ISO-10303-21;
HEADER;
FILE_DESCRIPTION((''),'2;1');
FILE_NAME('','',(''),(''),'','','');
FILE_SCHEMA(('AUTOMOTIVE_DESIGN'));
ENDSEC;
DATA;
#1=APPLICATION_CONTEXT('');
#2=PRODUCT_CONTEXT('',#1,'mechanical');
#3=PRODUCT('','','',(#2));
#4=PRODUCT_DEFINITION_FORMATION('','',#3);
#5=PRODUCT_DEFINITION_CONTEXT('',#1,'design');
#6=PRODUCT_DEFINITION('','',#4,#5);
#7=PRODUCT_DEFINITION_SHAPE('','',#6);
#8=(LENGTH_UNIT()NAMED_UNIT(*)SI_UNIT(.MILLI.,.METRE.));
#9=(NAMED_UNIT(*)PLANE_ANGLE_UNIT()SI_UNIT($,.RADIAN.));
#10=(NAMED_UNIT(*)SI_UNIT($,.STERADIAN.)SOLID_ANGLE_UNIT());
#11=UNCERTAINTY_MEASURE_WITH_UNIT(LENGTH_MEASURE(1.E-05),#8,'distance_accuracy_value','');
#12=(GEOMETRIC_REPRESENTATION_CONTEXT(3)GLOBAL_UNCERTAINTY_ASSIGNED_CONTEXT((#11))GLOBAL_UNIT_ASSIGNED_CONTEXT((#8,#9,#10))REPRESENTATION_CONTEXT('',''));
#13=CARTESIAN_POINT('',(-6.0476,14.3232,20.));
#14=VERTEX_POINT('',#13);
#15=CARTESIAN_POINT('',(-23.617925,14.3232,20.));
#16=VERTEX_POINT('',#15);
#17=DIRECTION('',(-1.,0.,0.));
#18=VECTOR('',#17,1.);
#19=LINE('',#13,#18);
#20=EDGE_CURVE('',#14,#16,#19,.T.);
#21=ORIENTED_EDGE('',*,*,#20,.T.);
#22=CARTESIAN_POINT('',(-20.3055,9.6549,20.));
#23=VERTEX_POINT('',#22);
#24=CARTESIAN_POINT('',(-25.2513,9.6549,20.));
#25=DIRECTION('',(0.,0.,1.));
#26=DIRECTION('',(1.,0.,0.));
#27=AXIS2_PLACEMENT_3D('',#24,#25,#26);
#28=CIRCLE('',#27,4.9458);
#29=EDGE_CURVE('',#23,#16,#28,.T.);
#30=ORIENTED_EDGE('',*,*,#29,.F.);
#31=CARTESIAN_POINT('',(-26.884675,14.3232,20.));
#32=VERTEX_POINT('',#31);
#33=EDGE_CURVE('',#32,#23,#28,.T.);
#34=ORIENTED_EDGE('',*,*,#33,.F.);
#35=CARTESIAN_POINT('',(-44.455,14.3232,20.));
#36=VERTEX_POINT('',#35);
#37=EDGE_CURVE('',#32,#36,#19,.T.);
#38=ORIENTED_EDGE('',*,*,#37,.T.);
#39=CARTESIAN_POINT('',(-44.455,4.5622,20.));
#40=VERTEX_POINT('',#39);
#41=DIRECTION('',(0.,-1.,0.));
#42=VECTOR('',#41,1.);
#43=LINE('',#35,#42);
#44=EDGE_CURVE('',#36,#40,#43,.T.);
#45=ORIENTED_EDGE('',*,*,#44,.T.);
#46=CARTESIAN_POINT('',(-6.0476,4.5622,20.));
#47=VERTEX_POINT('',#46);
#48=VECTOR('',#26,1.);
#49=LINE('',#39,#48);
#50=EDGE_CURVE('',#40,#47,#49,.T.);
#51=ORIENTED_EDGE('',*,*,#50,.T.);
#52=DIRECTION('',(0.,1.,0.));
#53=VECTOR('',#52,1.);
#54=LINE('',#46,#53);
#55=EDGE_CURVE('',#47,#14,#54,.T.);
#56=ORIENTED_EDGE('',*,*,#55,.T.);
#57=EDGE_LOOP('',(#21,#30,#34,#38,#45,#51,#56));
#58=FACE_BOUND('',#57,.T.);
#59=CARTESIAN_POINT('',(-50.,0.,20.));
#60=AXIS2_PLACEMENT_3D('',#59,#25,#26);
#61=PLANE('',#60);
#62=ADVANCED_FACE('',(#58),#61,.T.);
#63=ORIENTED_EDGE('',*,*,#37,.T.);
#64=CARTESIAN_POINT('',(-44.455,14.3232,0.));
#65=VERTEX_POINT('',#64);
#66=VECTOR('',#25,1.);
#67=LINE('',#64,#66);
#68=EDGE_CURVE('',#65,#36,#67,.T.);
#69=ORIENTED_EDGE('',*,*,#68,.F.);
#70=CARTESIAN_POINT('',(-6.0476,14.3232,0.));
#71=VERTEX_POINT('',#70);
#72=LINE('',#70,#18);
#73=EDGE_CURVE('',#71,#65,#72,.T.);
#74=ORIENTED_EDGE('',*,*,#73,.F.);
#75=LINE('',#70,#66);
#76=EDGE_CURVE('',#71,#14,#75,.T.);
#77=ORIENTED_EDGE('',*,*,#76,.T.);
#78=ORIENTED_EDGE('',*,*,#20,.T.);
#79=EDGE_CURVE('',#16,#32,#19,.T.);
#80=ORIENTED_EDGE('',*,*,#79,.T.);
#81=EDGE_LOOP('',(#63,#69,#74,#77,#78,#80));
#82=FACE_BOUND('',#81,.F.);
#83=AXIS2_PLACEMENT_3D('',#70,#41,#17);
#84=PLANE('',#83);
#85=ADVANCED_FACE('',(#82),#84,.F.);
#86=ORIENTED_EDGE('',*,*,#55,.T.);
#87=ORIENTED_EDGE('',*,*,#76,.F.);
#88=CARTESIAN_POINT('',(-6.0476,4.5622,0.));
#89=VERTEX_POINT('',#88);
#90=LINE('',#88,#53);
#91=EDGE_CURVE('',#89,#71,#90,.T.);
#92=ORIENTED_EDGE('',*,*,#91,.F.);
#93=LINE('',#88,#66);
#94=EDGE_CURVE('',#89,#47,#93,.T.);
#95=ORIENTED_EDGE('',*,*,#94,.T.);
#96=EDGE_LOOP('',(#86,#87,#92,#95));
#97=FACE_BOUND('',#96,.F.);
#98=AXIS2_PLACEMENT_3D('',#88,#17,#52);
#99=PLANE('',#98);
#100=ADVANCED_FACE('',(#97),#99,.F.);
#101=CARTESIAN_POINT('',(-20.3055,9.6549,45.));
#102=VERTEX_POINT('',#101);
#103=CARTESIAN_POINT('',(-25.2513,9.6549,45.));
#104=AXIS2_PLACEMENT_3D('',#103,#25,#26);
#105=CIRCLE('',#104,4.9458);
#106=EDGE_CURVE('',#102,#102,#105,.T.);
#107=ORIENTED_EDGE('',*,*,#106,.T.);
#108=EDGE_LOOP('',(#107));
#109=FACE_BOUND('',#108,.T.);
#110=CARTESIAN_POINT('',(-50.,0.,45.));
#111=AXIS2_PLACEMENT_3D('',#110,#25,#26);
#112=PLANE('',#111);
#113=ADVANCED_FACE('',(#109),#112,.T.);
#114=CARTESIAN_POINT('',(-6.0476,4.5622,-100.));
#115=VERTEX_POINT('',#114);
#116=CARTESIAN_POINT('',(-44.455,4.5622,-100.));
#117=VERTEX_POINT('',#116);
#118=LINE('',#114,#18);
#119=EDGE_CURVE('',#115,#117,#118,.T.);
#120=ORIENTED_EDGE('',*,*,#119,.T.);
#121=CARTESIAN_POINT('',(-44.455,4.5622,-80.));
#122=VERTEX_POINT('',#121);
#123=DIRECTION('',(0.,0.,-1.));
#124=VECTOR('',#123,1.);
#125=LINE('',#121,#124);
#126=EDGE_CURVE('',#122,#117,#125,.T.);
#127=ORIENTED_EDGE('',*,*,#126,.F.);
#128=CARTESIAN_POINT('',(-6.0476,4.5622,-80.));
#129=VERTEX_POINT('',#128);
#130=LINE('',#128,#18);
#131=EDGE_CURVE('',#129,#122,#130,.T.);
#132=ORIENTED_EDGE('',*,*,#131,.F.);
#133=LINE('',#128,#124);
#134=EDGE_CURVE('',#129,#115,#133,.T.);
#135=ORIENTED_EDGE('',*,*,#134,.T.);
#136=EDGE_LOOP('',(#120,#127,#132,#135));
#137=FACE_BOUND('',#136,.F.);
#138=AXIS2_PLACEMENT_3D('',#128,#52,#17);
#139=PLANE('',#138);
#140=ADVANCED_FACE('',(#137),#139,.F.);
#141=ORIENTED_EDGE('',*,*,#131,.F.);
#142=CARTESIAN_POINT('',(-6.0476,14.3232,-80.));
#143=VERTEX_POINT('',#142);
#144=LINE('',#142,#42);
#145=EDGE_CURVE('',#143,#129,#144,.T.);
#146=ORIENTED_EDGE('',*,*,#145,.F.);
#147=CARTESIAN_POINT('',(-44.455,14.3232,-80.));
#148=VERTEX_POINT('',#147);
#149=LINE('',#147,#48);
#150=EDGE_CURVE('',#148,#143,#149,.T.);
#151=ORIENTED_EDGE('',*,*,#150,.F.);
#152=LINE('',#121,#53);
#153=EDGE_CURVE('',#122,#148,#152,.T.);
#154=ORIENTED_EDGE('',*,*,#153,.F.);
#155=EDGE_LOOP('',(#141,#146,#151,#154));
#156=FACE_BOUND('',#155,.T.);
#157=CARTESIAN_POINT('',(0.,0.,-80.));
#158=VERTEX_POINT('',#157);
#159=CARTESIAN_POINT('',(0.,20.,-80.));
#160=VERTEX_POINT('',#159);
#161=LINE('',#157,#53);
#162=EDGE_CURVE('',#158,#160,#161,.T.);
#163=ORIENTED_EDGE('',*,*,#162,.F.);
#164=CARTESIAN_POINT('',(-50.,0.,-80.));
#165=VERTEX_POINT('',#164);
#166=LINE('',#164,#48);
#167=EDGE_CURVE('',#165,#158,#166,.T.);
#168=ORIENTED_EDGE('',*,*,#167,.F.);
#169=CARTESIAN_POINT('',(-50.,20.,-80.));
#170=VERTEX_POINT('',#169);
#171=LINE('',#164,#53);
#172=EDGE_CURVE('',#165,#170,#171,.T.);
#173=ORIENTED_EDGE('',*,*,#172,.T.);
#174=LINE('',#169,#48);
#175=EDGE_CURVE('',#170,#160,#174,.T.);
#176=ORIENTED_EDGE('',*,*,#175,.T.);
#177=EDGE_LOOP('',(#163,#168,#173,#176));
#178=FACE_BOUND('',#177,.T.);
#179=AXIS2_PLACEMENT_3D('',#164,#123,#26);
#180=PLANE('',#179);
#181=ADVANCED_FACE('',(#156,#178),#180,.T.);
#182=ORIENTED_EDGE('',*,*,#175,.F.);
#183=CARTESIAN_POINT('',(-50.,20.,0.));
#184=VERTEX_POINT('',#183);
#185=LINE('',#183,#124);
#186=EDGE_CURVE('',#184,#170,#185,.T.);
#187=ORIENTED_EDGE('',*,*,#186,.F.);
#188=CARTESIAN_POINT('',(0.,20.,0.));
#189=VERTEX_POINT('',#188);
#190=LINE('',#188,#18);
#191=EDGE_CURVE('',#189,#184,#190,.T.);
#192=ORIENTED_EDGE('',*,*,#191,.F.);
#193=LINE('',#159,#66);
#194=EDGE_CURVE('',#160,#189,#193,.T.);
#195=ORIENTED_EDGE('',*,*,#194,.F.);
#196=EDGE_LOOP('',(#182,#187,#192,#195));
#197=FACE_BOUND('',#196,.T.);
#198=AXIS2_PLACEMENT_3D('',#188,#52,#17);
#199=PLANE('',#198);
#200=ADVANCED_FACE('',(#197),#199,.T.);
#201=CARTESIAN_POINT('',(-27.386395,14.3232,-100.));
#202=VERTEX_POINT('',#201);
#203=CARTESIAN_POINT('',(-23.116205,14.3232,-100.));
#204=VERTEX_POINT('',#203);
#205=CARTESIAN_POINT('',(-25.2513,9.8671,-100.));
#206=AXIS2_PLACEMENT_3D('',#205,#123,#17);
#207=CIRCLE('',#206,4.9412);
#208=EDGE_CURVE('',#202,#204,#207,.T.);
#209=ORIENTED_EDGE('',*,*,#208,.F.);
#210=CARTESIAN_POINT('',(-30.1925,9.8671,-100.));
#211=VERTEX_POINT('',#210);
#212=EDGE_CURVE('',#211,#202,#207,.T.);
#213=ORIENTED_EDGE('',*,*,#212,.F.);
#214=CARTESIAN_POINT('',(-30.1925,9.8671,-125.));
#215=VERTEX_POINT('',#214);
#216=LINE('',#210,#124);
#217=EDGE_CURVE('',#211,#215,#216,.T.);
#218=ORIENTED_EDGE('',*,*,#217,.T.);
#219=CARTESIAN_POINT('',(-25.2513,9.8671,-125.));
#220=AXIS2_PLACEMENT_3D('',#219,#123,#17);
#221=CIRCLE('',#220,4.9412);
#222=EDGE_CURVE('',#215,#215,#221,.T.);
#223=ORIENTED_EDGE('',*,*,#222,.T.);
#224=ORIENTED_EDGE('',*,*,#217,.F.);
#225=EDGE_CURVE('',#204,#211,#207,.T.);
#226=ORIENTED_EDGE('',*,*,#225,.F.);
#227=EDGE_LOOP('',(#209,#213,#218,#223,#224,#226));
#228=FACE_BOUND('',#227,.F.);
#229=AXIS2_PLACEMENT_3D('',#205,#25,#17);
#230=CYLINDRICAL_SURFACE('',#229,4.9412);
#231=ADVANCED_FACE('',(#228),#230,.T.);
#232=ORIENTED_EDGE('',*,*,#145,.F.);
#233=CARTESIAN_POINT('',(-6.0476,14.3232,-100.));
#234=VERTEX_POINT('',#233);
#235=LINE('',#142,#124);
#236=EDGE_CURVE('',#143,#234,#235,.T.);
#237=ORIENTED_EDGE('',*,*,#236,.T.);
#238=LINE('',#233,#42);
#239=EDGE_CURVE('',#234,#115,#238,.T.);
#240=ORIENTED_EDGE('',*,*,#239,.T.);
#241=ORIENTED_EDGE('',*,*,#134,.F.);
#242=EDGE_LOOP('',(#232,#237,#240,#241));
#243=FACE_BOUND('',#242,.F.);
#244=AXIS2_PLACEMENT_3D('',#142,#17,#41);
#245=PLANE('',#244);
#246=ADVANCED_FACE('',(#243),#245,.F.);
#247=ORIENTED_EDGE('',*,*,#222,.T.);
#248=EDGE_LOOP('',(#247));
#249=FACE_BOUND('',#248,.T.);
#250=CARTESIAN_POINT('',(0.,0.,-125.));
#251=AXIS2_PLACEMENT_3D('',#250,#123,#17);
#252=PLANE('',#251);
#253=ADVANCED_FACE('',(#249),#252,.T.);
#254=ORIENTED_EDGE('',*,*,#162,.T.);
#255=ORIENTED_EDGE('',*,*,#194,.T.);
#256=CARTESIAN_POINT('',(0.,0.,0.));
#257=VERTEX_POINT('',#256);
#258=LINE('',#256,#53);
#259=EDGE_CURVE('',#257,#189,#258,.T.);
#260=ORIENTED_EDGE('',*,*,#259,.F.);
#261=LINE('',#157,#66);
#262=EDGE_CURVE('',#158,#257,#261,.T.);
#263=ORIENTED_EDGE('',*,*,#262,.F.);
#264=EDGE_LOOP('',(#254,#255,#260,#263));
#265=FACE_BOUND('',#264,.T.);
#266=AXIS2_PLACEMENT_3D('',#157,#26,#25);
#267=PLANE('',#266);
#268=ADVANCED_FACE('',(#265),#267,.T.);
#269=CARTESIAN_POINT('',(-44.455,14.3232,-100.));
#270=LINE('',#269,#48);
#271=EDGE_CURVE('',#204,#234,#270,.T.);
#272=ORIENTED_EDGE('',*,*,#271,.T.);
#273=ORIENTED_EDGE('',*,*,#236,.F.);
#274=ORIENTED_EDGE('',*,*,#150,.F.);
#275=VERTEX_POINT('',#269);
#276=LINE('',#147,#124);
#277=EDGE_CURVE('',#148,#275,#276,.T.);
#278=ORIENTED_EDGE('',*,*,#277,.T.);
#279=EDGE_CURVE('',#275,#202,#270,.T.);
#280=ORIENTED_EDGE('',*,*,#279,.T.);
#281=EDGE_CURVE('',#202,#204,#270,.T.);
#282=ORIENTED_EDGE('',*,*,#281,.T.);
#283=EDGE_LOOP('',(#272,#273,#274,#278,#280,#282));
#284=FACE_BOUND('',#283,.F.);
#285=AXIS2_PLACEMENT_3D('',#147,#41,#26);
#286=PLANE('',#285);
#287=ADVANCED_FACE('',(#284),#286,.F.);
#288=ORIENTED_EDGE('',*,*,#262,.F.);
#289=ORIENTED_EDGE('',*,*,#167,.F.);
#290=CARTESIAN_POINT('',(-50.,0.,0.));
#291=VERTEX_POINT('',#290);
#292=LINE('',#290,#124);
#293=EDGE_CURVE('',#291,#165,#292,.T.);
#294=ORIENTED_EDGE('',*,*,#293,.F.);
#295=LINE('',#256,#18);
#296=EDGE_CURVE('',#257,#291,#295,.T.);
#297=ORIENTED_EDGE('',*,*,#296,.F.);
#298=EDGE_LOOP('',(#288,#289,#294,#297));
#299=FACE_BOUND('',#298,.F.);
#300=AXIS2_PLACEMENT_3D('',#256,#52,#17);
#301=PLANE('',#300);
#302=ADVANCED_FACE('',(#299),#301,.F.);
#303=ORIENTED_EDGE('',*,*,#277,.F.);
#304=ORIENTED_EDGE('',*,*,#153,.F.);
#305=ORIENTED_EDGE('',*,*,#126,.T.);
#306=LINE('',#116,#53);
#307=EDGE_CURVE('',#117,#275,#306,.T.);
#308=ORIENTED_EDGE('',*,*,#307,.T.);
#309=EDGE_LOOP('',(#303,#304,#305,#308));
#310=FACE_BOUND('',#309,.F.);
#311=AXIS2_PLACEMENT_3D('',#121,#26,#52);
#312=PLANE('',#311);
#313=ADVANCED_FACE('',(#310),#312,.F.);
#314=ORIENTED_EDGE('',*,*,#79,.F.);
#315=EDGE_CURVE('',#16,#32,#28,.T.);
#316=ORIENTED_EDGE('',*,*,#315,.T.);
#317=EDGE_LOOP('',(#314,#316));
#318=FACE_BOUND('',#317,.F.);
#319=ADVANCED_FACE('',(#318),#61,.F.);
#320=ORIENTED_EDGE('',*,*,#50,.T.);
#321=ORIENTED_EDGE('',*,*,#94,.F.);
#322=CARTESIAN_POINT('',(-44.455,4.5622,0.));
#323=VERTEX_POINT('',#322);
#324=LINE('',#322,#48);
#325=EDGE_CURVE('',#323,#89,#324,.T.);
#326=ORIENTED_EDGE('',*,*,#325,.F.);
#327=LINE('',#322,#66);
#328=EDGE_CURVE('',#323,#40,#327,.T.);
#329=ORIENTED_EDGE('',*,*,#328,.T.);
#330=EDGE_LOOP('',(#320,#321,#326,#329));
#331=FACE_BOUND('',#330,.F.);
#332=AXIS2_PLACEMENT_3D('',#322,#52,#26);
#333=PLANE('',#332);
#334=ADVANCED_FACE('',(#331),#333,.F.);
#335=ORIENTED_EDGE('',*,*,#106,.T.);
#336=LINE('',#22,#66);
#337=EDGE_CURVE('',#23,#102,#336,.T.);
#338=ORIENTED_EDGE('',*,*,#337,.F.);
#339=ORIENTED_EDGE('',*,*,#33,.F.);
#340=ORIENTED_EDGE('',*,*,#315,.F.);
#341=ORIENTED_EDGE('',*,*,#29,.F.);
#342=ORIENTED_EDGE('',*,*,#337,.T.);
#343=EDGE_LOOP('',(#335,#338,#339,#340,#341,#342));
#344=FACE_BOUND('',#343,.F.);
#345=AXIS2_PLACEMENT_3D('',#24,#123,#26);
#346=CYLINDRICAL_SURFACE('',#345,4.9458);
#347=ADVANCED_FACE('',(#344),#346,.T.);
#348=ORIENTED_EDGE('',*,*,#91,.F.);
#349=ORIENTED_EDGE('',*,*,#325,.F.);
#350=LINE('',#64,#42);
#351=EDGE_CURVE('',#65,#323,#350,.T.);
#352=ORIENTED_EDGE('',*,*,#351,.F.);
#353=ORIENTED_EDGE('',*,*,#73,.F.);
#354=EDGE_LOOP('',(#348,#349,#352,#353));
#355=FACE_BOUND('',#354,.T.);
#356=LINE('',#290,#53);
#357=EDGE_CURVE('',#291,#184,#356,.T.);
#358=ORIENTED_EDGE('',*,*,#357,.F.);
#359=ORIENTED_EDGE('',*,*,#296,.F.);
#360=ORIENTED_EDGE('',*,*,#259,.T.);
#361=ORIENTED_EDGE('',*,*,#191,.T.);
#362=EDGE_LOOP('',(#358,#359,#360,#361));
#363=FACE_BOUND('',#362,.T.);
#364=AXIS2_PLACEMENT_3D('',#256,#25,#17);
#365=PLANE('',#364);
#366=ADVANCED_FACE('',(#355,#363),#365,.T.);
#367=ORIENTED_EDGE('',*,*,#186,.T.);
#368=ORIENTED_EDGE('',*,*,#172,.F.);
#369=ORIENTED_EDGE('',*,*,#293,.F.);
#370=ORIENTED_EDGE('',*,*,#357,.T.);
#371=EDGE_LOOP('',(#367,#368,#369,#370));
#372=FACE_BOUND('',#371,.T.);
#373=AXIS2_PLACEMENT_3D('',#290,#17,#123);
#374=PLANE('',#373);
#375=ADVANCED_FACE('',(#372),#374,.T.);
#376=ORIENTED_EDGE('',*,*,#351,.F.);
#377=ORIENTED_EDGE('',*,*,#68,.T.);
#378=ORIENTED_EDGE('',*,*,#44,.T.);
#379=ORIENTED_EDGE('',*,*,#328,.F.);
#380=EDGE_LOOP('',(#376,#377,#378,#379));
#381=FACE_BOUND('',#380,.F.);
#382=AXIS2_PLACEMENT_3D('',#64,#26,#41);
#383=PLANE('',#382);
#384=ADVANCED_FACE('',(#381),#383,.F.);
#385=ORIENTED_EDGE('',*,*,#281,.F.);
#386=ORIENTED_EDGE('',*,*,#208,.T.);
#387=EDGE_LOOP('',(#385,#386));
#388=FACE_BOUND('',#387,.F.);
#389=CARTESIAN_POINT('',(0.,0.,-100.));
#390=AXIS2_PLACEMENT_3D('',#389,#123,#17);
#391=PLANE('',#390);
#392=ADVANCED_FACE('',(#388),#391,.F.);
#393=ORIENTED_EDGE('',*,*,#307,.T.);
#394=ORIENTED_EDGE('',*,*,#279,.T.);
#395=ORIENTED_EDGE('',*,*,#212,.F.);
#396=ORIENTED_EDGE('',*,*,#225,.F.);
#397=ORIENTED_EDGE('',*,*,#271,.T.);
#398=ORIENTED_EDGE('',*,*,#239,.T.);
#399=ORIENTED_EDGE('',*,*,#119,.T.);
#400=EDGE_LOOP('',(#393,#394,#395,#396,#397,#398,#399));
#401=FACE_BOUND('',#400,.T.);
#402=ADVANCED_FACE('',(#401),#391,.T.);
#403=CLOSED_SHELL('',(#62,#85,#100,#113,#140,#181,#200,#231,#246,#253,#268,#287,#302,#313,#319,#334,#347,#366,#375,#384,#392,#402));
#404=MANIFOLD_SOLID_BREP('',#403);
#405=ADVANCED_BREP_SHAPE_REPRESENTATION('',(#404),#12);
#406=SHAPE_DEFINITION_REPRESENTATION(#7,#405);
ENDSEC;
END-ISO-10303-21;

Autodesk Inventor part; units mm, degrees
ref_plane "YZ Plane" through (0, 0, 0) normal (1, 0, 0) x (0, 1, 0)
ref_plane "XZ Plane" through (0, 0, 0) normal (0, 1, 0) x (-1, 0, 0)
ref_plane "XY Plane" through (0, 0, 0) normal (0, 0, 1) x (1, 0, 0)
sketch "Sketch1" plane through (0, 0, 0) normal (0, 1, 0) x (-1, 0, 0)
  line L0 (0, 0) -> (50, 0)
  line L1 (50, 0) -> (50, -80)
  line L2 (50, -80) -> (0, -80)
  line L3 (0, -80) -> (0, 0)
  dimension "d0" = 80
  dimension "d1" = 50
extrude "Extrusion1" add sketch "Sketch1" along normal blind 20
sketch "Sketch2" plane through (-50, 0, 0) normal (0, 0, 1) x (1, 0, 0)
  line L0 (5.545, 4.5622) -> (43.9524, 4.5622)
  line L1 (43.9524, 4.5622) -> (43.9524, 14.3232)
  line L2 (43.9524, 14.3232) -> (5.545, 14.3232)
  line L3 (5.545, 14.3232) -> (5.545, 4.5622)
  point P0 (50, 0)
extrude "Extrusion2" add sketch "Sketch2" along normal blind 20
sketch "Sketch3" plane through (0, 0, -80) normal (0, 0, -1) x (-1, 0, 0)
  line L0 (44.455, 14.3232) -> (6.0476, 14.3232) projected
  line L1 (6.0476, 4.5622) -> (44.455, 4.5622) projected
  line L2 (44.455, 14.3232) -> (6.0476, 14.3232)
  line L3 (6.0476, 14.3232) -> (6.0476, 4.5622)
  line L4 (6.0476, 4.5622) -> (44.455, 4.5622)
  line L5 (44.455, 4.5622) -> (44.455, 14.3232)
  point P0 (0, 0)
  point P1 (6.0476, 14.3232)
extrude "Extrusion3" add sketch "Sketch3" along normal blind 20
sketch "Sketch4" plane through (0, 0, -100) normal (0, 0, -1) x (-1, 0, 0)
  circle A0 centre (25.2513, 9.8671) radius 4.9412
  point P0 (0, 0)
extrude "Extrusion4" add sketch "Sketch4" along normal blind 25
sketch "Sketch5" plane through (-50, 0, 20) normal (0, 0, 1) x (1, 0, 0)
  circle A0 centre (24.7487, 9.6549) radius 4.9458
  point P0 (50, 0)
extrude "Extrusion5" add sketch "Sketch5" along normal blind 25
sketch "Sketch6" plane through (0, 20, 0) normal (0, 1, 0) x (1, 0, 0)
  line L0 (-33.19, 13.0471) -> (-33.19, 67.4667) construction
  line L1 (-33.19, 67.4667) -> (-19.8135, 67.4667) construction
  line L2 (-19.8135, 67.4667) -> (-19.8135, 13.0471) construction
  line L3 (-19.8135, 13.0471) -> (-33.19, 13.0471) construction
  point P0 (0, 0)
properties part number "tilt now"
